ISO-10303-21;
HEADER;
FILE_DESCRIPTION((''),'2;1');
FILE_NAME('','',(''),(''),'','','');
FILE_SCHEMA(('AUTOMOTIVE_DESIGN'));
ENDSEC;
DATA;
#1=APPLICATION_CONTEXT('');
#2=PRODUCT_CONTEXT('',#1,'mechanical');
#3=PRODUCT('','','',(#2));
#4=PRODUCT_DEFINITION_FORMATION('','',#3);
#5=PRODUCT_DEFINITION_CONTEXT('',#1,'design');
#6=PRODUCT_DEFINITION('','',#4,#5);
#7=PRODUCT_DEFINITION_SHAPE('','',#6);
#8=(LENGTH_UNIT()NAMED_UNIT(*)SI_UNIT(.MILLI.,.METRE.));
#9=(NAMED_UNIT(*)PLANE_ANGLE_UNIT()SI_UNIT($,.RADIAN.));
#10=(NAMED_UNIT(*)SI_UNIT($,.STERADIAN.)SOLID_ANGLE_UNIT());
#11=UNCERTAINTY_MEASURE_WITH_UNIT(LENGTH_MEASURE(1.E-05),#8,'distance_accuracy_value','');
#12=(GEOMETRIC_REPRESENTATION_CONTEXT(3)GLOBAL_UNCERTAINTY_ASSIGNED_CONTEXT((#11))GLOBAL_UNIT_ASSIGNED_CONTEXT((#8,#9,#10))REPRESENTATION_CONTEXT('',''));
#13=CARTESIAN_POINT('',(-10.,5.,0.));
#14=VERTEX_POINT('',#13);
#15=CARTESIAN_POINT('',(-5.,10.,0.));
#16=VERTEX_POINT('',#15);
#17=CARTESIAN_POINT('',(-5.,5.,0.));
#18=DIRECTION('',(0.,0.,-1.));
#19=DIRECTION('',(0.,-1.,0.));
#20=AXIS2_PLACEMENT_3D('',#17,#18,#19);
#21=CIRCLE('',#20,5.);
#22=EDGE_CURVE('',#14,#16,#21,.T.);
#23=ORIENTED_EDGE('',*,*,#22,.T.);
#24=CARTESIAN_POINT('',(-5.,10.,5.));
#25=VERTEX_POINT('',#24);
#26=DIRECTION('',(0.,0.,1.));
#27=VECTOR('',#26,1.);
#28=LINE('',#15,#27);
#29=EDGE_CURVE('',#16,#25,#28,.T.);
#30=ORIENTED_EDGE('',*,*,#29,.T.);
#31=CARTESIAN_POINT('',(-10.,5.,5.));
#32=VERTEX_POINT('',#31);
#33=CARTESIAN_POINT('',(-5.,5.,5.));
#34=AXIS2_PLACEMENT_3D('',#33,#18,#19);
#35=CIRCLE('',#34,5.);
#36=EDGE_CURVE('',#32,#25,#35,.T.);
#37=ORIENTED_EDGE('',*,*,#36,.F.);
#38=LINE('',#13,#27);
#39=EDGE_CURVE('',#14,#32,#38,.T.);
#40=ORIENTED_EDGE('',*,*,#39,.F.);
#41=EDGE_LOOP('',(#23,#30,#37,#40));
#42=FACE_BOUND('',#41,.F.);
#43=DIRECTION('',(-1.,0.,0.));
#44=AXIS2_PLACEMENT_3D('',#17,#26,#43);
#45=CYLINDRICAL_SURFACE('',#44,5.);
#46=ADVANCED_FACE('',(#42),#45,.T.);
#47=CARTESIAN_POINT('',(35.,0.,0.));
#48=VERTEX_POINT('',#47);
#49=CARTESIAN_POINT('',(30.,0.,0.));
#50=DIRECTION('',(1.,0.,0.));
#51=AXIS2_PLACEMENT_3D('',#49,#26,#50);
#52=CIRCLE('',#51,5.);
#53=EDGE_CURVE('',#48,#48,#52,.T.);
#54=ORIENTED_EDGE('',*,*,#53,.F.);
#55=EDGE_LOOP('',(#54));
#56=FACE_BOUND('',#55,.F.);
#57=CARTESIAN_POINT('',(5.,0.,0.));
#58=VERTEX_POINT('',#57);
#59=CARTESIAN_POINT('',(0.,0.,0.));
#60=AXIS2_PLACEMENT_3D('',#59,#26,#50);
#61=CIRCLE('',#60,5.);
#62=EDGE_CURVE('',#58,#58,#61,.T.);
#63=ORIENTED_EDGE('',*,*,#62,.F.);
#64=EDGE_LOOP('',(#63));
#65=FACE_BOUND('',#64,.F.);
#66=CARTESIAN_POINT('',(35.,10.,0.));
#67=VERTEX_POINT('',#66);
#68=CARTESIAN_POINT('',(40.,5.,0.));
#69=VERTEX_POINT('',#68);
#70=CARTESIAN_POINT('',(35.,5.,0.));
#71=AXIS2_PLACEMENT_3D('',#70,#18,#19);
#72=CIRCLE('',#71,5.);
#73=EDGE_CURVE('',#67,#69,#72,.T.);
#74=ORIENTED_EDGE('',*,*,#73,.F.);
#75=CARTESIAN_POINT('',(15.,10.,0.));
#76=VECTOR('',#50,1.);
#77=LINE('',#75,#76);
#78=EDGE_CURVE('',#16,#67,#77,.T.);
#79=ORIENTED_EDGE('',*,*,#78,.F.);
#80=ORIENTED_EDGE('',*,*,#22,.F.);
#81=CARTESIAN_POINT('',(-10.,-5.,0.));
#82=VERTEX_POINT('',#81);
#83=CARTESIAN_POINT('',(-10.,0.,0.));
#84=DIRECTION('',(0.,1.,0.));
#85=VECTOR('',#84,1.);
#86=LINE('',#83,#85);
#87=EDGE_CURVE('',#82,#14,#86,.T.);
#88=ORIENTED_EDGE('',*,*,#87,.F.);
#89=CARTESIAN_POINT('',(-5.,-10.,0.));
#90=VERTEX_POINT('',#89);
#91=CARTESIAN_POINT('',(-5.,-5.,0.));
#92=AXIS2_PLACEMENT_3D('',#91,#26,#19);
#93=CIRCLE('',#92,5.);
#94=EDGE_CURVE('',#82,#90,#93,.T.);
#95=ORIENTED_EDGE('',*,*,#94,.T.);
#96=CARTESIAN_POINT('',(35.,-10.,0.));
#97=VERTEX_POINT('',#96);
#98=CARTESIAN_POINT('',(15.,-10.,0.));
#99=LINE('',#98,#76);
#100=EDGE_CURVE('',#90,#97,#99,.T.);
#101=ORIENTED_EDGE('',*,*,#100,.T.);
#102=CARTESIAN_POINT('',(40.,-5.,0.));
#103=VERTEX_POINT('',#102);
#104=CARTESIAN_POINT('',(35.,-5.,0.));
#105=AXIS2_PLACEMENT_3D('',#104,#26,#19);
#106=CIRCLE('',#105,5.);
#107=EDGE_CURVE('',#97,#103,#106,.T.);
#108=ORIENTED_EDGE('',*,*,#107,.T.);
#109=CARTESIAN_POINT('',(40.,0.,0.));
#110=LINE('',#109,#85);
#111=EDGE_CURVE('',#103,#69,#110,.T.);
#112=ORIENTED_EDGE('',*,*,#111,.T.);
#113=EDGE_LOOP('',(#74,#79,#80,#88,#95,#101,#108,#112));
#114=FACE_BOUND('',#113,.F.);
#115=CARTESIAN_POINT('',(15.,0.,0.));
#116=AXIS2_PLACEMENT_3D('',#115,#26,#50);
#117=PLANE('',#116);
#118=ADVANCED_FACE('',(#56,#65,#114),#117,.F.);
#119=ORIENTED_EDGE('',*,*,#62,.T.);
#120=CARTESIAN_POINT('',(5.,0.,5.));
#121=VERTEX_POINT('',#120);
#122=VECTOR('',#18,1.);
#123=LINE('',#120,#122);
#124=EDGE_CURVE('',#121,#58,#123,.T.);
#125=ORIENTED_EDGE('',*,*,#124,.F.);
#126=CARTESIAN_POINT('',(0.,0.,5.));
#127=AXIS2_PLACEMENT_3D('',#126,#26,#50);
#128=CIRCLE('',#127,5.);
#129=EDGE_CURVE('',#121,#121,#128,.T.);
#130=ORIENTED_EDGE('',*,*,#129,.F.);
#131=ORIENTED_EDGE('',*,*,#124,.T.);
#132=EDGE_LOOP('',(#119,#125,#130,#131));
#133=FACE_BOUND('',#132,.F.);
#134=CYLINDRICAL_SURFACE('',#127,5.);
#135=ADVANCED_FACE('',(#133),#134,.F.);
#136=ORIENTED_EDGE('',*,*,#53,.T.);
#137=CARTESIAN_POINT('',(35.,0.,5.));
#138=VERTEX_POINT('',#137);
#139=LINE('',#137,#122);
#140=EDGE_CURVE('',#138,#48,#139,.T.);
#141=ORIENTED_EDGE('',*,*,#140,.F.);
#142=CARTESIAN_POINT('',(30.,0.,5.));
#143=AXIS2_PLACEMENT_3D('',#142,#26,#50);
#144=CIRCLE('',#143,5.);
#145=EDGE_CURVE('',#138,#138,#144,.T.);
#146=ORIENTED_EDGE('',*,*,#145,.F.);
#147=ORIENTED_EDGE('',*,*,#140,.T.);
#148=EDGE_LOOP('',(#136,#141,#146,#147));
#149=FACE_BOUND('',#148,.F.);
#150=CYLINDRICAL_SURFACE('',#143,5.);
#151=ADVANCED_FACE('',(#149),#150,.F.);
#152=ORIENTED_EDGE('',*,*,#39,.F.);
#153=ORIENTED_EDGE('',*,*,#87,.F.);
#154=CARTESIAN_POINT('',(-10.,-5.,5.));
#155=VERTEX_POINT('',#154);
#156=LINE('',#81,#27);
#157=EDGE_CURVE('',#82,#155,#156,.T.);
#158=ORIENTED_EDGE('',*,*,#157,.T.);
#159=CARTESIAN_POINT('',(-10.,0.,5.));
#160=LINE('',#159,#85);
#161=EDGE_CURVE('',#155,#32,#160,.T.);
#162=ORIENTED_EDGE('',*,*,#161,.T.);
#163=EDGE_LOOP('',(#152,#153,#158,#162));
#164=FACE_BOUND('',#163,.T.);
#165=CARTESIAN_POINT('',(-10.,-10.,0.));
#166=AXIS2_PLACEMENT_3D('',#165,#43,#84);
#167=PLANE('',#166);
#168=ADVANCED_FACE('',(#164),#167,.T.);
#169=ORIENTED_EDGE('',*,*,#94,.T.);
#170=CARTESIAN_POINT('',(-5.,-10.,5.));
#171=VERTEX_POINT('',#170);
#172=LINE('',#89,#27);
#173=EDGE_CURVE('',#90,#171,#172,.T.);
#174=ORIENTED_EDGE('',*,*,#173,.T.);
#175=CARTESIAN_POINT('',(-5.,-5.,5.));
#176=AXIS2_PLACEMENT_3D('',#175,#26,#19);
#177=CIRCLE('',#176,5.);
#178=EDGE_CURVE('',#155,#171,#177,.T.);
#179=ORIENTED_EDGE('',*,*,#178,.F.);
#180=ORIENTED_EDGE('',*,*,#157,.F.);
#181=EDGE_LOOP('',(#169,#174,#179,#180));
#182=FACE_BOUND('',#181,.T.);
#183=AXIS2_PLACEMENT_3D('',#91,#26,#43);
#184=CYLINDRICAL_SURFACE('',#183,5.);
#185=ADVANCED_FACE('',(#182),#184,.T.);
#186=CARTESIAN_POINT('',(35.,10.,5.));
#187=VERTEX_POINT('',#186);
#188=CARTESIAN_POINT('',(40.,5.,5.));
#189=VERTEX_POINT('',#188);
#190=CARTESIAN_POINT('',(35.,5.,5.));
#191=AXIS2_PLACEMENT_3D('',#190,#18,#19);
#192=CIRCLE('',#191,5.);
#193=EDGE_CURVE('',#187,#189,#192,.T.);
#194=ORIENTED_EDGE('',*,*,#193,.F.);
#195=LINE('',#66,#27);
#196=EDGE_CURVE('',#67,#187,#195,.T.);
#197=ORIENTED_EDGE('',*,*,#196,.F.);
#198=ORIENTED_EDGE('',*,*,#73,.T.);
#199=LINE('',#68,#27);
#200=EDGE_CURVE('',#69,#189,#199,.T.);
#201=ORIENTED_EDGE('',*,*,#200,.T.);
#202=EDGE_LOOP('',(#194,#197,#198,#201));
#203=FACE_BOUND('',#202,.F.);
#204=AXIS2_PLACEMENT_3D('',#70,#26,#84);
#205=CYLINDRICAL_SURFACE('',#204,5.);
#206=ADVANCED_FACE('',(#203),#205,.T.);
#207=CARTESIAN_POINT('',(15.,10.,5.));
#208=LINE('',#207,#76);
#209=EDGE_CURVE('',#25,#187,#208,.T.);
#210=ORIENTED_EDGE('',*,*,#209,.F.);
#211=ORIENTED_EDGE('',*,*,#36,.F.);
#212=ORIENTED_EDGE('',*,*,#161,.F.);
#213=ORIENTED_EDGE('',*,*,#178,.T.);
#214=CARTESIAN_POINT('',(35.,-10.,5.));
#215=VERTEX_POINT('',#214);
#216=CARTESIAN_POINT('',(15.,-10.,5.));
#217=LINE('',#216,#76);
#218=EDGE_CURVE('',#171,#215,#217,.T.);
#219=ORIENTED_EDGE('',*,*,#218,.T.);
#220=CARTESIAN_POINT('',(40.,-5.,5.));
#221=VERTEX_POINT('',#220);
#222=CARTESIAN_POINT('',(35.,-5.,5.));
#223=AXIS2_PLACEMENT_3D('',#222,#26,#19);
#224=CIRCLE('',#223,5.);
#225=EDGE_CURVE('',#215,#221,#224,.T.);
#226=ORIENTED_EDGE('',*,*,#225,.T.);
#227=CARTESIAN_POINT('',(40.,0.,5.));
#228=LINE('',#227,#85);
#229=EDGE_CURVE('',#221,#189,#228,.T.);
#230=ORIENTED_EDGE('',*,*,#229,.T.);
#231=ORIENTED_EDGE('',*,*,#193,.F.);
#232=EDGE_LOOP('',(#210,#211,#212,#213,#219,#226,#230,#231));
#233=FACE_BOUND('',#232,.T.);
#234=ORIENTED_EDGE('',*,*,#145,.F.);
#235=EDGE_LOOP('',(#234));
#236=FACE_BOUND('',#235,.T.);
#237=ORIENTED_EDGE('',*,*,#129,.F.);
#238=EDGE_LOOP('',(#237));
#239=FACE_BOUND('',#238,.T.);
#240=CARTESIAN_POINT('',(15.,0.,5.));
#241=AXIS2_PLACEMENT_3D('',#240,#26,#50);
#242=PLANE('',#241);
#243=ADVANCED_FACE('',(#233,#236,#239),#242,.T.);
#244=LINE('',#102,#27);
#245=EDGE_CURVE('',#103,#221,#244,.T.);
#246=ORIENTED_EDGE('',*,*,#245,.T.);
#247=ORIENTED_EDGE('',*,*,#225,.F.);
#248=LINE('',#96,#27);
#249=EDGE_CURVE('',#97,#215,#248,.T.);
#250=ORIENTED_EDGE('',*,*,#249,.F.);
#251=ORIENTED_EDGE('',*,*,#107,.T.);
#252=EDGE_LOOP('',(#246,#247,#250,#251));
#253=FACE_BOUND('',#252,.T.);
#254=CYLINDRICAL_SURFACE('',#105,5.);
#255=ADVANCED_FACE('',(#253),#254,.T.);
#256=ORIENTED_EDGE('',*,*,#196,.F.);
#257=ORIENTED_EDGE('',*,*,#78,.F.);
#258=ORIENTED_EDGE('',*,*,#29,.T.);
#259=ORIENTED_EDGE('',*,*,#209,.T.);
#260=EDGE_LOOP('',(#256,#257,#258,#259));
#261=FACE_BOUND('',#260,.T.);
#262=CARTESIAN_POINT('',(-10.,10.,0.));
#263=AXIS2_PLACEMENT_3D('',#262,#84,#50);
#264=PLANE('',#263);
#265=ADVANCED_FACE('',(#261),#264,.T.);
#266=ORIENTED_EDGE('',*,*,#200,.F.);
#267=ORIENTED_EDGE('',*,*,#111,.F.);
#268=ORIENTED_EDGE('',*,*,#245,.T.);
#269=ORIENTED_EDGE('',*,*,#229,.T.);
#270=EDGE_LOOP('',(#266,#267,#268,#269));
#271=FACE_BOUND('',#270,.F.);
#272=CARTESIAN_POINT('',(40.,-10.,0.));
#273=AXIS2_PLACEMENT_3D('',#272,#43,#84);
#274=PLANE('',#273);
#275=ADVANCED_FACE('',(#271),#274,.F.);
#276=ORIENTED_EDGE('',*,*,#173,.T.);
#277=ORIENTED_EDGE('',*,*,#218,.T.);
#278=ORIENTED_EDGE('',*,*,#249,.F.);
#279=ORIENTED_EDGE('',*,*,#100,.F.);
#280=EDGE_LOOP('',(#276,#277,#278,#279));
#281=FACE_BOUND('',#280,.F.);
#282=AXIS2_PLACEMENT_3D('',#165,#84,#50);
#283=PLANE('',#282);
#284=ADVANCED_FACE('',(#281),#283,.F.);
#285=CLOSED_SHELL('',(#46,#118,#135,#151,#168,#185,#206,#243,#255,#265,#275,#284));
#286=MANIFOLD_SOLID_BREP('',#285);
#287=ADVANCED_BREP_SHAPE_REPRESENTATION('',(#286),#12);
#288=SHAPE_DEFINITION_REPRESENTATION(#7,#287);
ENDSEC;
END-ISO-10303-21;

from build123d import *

# Parameters (mm, degrees)
F0_W     = 50
F0_H     = 20
F1_DEPTH = 5
F2_R     = 5
F3_DEPTH = 5
F4_R     = 5
F5_DEPTH = 5
F6_R     = 5


with BuildPart() as f1:
    # F0 (on Top) → F1 (new body)
    with BuildSketch(Plane.XY):
        with Locations((15, 0)):
            Rectangle(F0_W, F0_H)
    extrude(amount=F1_DEPTH)

    # F2 (on face) → F3 (cut, through all)
    with BuildSketch(Plane.XY.offset(5)):
        Circle(F2_R)
    extrude(amount=-F3_DEPTH, mode=Mode.SUBTRACT)

    # F4 (on face) → F5 (cut, through all)
    with BuildSketch(Plane.XY.offset(5)):
        with Locations((30, 0)):
            Circle(F4_R)
    extrude(amount=-F5_DEPTH, mode=Mode.SUBTRACT)

    # F6
    f6_edges = [f1.edges().sort_by_distance(p)[0] for p in [
        (-10, 10, 2.5),
        (-10, -10, 2.5),
        (40, 10, 2.5),
        (40, -10, 2.5),
    ]]
    fillet(f6_edges, radius=F6_R)


solid = f1.part
